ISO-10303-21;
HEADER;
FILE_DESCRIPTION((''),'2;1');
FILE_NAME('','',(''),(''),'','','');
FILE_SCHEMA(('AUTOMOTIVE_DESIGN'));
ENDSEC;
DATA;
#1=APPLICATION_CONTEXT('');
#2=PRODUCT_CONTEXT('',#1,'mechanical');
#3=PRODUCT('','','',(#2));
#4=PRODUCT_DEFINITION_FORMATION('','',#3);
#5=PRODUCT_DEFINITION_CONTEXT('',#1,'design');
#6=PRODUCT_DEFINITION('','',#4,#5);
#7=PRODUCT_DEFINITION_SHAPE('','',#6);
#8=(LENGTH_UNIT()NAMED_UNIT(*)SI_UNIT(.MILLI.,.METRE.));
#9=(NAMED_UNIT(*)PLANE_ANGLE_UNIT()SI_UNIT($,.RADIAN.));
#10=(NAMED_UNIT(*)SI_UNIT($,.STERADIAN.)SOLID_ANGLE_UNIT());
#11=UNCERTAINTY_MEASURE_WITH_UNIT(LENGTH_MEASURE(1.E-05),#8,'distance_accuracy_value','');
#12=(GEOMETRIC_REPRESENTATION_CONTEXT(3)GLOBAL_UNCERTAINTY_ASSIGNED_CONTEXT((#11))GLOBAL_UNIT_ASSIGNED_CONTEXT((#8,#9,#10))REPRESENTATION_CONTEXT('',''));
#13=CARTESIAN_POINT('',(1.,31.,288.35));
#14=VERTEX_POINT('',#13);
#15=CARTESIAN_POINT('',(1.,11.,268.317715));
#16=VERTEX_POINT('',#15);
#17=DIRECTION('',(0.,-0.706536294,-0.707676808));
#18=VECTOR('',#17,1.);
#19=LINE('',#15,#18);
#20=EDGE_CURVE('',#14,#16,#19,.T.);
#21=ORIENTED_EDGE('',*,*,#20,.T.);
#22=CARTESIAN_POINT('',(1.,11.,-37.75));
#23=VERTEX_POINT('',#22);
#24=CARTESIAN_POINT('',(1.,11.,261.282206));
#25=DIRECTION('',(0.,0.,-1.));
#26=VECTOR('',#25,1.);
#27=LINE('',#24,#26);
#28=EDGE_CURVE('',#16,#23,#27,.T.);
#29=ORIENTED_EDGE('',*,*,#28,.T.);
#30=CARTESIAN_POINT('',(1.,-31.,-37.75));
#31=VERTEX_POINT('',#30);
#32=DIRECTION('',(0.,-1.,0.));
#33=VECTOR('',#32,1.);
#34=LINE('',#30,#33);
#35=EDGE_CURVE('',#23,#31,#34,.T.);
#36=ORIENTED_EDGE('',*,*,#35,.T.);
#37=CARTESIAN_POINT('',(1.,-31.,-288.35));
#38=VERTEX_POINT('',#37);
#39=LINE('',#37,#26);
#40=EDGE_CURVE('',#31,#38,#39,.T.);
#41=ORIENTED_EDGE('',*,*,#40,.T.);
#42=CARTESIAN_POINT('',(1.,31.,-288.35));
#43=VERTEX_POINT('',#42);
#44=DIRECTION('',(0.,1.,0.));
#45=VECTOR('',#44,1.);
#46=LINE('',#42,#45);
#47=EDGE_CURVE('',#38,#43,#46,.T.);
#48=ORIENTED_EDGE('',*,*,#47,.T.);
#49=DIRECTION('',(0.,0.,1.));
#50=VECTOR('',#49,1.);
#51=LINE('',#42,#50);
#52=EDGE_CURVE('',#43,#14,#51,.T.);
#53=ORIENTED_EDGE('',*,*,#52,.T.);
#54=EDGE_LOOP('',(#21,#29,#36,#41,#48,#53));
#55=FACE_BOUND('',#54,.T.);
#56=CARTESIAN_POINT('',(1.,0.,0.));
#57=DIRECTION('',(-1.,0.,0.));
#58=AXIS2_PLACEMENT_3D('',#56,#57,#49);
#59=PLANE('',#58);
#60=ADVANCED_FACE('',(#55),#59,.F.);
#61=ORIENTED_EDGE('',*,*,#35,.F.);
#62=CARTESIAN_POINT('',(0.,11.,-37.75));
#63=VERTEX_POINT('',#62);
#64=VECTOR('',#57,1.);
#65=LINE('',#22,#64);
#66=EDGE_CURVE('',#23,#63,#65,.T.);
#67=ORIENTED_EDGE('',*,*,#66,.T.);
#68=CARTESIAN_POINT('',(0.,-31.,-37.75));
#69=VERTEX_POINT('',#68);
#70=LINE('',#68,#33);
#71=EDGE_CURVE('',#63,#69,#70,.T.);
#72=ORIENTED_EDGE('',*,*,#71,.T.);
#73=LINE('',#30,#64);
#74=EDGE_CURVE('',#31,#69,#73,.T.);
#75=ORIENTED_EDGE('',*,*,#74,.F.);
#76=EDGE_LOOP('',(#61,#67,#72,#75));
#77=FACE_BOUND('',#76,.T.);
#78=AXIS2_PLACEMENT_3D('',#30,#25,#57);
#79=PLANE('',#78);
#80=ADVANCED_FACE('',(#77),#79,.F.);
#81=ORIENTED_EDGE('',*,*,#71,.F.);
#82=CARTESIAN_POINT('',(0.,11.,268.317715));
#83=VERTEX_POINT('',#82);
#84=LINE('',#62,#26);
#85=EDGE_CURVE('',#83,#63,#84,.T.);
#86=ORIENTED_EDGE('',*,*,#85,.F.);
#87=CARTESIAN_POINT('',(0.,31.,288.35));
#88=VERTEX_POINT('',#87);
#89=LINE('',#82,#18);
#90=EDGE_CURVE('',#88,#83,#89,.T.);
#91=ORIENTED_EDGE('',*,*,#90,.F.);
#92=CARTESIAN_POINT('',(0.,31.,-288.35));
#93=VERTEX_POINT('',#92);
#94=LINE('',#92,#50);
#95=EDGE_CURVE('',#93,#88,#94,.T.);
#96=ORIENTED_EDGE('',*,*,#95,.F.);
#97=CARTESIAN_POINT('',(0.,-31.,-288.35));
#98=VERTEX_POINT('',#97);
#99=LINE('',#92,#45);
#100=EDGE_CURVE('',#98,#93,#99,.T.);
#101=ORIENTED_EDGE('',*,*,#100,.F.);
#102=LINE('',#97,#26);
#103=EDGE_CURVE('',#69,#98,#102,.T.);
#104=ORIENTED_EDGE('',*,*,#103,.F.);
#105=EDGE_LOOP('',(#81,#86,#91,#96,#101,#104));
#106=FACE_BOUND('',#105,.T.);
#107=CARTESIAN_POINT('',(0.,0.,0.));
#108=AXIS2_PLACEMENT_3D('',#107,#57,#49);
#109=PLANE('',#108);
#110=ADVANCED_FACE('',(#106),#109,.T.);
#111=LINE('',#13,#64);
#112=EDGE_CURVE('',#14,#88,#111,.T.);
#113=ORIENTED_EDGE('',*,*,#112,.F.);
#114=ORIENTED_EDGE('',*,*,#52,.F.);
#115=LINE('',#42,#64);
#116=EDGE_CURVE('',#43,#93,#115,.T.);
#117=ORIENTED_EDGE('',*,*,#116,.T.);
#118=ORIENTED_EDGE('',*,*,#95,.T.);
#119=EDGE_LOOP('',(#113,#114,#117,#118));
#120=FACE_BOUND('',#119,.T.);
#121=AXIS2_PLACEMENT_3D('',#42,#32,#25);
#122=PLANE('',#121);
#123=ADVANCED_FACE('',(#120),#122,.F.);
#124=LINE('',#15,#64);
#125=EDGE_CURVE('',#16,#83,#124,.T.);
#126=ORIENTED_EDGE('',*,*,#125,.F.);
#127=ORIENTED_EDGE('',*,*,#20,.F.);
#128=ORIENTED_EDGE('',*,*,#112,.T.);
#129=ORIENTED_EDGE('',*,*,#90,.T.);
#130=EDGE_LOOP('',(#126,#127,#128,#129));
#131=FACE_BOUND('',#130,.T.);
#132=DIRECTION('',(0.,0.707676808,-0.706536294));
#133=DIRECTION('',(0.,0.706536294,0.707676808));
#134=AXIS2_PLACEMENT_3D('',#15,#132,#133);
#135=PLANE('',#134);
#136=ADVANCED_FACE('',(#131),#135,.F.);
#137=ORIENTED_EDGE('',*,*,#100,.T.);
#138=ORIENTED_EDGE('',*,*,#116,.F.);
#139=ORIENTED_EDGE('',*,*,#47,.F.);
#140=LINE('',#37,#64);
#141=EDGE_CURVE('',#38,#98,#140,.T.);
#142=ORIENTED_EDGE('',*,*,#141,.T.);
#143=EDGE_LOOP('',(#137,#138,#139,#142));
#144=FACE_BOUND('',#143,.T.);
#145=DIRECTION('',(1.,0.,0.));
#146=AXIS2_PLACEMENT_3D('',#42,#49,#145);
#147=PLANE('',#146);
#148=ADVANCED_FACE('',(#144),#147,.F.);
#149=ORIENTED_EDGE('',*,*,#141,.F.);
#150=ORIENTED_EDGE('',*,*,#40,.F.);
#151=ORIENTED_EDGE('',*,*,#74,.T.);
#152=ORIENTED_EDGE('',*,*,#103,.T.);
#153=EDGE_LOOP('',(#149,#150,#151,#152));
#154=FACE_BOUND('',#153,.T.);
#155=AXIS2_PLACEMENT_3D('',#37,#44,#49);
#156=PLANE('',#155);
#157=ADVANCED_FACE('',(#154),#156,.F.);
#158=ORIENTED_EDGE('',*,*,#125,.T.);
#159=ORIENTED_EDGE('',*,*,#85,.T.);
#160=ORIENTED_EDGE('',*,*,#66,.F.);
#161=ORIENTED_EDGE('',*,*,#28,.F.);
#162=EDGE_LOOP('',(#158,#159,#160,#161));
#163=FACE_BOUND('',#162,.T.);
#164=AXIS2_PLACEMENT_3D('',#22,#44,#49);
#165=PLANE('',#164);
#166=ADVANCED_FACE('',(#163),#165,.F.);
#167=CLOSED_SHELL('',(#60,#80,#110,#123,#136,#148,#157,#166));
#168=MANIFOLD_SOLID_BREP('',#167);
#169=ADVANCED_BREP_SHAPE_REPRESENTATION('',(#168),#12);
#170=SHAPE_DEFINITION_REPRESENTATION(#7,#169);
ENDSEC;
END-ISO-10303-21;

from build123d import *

# Parameters (mm, degrees)
BOSS_EXTRUDE1_DEPTH = 1


with BuildPart() as part:
    # Sketch2 → Boss-Extrude1 (new body)
    with BuildSketch(Plane(origin=(0, 0, 0), x_dir=(0, 0, -1), z_dir=(1, 0, 0))):
        Polygon((288.35, 31), (-288.35, 31), (-268.317715349, 11), (-261.282205757, 11), (37.75, 11), (37.75, -31), (288.35, -31), align=None)
    extrude(amount=BOSS_EXTRUDE1_DEPTH)


solid = part.part
